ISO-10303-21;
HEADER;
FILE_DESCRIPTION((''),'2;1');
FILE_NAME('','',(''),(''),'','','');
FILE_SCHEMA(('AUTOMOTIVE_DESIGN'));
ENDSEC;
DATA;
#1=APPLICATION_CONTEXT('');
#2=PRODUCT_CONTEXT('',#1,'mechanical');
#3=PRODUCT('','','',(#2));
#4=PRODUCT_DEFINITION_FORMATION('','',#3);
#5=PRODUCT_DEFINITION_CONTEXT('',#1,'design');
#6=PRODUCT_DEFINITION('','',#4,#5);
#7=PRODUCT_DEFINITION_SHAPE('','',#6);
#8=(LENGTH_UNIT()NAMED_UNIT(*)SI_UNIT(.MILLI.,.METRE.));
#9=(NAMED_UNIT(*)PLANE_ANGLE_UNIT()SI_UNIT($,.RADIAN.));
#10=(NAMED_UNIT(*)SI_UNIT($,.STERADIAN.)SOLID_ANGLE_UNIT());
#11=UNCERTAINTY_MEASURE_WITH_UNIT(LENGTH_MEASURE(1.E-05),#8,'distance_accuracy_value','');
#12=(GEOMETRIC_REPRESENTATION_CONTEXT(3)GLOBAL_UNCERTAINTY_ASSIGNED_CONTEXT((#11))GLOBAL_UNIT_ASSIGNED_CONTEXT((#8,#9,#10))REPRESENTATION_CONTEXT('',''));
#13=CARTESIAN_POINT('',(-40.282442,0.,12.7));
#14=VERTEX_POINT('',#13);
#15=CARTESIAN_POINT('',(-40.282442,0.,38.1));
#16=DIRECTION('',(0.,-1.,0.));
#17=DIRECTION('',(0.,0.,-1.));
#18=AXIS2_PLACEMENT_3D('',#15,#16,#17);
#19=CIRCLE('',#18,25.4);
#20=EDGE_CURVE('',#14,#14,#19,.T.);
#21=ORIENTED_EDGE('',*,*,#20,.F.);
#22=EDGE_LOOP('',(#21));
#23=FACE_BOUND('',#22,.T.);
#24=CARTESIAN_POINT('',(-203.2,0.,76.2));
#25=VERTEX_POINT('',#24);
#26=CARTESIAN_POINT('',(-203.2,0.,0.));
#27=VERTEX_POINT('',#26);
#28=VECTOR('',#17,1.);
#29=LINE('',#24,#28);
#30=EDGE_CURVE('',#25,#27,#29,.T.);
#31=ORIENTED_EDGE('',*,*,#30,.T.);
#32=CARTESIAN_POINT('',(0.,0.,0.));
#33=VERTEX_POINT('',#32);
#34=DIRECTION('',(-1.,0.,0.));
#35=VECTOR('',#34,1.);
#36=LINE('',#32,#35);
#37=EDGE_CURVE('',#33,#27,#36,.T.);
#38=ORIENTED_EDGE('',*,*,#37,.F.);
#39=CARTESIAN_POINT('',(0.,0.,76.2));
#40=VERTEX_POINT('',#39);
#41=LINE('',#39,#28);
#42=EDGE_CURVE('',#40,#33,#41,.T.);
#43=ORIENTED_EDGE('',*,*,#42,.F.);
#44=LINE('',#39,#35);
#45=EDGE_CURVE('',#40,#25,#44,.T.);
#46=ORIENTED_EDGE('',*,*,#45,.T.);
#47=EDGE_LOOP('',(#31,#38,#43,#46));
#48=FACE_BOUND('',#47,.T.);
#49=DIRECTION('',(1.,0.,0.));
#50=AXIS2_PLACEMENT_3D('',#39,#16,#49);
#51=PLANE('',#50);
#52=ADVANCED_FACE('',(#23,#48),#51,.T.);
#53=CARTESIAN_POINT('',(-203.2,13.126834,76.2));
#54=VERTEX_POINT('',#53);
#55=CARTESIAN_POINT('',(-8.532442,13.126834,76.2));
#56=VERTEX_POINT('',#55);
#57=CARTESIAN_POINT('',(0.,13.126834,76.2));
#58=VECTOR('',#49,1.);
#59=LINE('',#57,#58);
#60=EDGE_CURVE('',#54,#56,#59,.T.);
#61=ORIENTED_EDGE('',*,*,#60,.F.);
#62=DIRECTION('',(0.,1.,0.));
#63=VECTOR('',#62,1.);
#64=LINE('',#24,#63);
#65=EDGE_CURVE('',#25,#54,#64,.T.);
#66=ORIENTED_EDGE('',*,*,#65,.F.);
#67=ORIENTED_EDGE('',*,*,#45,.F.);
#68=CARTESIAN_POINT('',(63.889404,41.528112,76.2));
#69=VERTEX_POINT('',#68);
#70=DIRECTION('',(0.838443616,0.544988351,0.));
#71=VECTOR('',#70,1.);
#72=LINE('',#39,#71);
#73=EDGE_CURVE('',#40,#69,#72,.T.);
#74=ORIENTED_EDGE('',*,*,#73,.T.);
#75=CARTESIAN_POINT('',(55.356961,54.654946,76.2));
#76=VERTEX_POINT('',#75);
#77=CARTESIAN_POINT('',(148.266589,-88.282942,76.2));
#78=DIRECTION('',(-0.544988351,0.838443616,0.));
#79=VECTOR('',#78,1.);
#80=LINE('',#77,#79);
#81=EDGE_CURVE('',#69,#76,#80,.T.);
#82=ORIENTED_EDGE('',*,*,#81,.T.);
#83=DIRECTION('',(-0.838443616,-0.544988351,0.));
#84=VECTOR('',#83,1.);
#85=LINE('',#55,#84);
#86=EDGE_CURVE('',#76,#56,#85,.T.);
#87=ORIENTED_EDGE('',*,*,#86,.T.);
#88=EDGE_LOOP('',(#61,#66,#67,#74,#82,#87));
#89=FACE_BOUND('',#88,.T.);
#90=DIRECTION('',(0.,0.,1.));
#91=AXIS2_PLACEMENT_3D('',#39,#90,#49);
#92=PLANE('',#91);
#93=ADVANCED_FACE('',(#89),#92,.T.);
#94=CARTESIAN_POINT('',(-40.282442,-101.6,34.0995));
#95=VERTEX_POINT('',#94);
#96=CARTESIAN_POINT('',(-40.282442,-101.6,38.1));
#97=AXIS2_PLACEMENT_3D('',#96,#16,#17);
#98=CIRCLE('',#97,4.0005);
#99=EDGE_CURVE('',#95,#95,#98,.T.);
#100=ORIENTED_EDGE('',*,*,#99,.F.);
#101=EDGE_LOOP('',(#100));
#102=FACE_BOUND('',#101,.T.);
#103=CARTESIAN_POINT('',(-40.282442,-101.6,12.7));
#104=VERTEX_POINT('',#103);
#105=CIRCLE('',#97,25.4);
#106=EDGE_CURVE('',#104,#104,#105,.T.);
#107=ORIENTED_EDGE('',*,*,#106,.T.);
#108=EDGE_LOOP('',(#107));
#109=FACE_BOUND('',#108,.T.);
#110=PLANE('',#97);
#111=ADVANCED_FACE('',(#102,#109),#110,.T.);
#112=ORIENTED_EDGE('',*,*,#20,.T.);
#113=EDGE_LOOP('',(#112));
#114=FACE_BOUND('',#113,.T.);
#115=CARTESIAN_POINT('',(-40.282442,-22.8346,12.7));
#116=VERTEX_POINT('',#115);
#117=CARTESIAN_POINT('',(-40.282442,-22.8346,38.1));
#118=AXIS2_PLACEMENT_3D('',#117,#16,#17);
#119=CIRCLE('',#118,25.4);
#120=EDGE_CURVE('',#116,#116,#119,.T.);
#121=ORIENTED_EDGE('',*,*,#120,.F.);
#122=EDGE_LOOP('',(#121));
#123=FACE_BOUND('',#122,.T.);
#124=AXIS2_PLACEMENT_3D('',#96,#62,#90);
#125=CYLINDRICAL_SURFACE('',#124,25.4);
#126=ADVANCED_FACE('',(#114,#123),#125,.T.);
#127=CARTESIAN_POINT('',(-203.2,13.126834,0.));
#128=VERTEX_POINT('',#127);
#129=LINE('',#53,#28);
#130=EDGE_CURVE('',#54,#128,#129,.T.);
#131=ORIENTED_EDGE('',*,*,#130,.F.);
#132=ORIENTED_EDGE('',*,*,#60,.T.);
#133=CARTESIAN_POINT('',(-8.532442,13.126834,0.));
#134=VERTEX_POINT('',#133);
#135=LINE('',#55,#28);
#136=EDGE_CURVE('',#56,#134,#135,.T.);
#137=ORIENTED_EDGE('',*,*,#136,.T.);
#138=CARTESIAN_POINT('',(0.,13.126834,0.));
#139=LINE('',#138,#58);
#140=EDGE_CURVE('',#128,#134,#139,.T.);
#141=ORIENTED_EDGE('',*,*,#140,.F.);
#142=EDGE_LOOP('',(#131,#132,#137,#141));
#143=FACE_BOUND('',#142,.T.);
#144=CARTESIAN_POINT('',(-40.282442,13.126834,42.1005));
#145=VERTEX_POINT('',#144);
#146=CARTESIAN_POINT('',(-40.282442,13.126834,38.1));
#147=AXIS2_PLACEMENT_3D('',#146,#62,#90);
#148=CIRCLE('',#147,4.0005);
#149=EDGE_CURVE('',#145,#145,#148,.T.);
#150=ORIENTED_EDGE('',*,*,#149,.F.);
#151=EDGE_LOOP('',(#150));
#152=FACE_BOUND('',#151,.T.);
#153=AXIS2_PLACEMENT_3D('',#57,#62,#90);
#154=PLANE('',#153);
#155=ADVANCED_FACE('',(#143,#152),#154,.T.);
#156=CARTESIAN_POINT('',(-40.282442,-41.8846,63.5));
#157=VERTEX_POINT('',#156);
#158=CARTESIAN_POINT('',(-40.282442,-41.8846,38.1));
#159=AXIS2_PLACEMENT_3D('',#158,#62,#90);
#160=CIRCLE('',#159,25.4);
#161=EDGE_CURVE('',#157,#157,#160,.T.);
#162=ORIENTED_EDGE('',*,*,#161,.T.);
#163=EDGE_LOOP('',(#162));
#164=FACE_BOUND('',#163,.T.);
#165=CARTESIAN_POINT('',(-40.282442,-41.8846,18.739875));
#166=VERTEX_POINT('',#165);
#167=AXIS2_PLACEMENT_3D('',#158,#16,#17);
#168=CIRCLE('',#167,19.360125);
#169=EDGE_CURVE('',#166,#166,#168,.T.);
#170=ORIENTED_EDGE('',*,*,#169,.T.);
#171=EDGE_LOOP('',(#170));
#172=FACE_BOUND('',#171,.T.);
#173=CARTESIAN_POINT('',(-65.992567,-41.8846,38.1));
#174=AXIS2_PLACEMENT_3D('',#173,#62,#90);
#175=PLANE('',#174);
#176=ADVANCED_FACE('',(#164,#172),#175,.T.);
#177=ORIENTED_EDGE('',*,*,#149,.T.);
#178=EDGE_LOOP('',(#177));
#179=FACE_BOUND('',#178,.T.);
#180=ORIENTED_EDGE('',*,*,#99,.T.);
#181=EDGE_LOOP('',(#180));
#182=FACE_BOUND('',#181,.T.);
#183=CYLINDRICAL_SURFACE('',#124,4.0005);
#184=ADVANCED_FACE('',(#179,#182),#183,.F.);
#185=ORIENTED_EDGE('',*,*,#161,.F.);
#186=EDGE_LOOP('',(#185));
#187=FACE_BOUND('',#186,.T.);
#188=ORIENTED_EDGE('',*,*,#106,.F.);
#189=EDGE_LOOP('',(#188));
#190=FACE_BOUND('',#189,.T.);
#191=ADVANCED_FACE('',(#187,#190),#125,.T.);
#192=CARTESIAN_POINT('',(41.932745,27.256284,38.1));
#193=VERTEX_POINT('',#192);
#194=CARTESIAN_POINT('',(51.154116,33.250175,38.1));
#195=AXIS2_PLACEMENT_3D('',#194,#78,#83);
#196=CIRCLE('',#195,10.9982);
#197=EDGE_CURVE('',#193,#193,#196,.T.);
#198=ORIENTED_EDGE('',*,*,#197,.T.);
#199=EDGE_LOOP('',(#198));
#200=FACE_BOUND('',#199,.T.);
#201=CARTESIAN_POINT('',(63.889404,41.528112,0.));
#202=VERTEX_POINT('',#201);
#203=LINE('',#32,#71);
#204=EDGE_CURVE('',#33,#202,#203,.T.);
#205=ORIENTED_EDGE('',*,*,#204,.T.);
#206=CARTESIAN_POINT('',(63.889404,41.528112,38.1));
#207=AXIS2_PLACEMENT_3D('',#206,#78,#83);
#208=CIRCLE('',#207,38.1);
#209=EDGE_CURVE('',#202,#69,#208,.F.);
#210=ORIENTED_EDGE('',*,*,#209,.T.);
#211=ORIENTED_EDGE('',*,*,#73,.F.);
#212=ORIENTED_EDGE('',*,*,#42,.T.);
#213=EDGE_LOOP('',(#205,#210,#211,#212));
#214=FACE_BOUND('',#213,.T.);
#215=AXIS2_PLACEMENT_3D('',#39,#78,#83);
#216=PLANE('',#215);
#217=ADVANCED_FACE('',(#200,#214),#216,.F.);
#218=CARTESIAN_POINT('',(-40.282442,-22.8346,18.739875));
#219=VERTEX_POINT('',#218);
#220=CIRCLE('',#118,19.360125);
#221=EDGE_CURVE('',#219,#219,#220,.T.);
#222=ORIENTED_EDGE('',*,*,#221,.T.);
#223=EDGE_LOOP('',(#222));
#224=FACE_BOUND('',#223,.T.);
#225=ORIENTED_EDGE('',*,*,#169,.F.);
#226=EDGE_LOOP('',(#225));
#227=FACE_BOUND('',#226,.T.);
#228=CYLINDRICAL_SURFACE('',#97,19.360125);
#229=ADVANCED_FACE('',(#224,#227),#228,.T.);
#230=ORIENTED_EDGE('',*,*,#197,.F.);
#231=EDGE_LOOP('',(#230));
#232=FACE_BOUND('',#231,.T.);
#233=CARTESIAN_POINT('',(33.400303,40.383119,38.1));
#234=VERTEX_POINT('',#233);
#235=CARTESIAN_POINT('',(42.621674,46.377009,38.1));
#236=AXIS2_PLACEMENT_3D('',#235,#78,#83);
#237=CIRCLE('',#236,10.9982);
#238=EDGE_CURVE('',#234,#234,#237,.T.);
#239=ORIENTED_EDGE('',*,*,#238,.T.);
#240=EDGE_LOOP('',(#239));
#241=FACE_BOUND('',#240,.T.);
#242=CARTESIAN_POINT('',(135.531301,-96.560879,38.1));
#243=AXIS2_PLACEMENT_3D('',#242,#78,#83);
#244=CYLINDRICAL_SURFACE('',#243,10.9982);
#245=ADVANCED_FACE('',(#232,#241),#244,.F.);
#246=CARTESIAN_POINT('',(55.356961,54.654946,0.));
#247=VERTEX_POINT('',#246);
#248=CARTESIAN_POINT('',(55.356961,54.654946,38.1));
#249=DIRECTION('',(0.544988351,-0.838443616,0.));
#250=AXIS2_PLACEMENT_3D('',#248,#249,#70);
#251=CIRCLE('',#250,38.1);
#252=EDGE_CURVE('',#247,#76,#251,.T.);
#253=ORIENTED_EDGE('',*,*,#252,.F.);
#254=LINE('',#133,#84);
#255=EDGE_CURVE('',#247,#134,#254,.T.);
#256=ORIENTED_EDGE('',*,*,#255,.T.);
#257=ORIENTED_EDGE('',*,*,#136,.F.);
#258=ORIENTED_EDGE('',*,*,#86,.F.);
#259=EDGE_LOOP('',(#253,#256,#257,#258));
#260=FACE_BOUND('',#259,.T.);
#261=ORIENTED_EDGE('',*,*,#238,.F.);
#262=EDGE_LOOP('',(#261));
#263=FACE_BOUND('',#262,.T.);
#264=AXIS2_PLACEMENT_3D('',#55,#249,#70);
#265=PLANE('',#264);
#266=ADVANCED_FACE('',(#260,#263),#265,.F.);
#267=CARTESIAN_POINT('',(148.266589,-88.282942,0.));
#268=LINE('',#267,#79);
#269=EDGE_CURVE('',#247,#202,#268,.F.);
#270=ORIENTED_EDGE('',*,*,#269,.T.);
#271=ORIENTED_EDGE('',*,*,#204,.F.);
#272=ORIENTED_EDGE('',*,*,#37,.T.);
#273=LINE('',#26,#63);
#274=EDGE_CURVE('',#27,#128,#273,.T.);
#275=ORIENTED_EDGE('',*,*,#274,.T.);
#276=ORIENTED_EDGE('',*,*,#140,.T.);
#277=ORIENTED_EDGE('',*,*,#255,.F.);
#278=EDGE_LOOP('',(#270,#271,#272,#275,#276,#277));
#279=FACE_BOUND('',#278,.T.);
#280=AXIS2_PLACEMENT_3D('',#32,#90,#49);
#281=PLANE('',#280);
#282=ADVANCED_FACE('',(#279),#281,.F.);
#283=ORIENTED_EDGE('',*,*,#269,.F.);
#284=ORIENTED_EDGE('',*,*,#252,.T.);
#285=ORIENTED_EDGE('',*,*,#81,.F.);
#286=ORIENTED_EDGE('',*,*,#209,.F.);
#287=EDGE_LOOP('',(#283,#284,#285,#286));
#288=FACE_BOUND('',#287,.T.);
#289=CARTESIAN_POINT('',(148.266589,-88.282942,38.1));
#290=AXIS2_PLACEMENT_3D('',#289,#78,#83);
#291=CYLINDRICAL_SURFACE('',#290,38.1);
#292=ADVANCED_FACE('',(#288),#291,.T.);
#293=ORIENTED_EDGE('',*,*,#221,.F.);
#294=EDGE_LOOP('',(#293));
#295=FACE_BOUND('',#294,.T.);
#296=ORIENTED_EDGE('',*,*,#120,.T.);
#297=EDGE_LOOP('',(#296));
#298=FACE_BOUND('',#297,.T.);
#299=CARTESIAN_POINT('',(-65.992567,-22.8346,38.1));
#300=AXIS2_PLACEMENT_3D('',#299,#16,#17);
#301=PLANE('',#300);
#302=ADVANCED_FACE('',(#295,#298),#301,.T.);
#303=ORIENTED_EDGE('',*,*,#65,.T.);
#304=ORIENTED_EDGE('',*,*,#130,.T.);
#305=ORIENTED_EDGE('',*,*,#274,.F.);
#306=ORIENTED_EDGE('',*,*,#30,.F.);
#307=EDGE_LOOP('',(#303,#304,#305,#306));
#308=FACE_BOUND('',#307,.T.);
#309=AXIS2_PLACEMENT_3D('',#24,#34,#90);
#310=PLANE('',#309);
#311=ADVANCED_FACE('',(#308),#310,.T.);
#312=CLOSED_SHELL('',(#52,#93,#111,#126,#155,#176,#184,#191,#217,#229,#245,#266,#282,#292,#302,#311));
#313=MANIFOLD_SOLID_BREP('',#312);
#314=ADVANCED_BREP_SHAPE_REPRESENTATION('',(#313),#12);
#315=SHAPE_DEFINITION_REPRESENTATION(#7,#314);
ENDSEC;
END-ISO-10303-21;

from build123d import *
from build123d.topology import SkipClean

# Parameters (mm, degrees)
BOSS_EXTRUDE1_DEPTH = 76.2
SKETCH2_R           = 25.4
SKETCH2_R_2         = 4.0005
BOSS_EXTRUDE2_DEPTH = 101.6
SKETCH4_W           = 6.35
SKETCH4_H           = 19.05
SKETCH5_R           = 4.0005
CUT_EXTRUDE1_DEPTH  = 240.623120754
SKETCH7_R           = 10.9982
CUT_EXTRUDE2_DEPTH  = 239.462040028
CUT_EXTRUDE3_DEPTH  = 239.462040028


with BuildPart() as part:
    # Sketch1 → Boss-Extrude1 (new body)
    with BuildSketch(Plane.XY):
        Polygon((-203.2, 13.126834176), (-8.532442214, 13.126834176), (0, 0), (-203.2, 0), align=None)
        Polygon((119.24636491, 96.183058807), (-8.532442214, 13.126834176), (0, 0), (127.778807124, 83.056224631), align=None)
    extrude(amount=BOSS_EXTRUDE1_DEPTH)

    # Sketch2 → Boss-Extrude2 (add)
    with BuildSketch(Plane.XZ):
        with Locations(Location((-40.282442214, 38.1, 0), (0, 0, 270))):
            Circle(SKETCH2_R)
        with Locations((-40.282442214, 38.1)):
            Circle(SKETCH2_R_2, mode=Mode.SUBTRACT)
    extrude(amount=BOSS_EXTRUDE2_DEPTH)

    # Sketch4 → Cut-Revolve1 (revolve, cut)
    with BuildSketch(Plane.XY.offset(38.1), mode=Mode.PRIVATE) as cut_revolve1_sk:
        with Locations((-62.817567444, -32.3596)):
            Rectangle(SKETCH4_W, SKETCH4_H)
    revolve(cut_revolve1_sk.sketch.rotate(Axis((-40.282442214, -101.6, 38.1), (0, 1, 0)), 270), axis=Axis((-40.282442214, -101.6, 38.1), (0, 1, 0)), mode=Mode.SUBTRACT)

    # Sketch5 → Cut-Extrude1 (cut, through all)
    with SkipClean():  # the faces are left unmerged after this step: merging them gives an invalid solid
        with BuildSketch(Plane.XZ):
            with Locations(Location((-40.282442214, 38.1, 0), (0, 0, 90))):
                Circle(SKETCH5_R)
        extrude(amount=-CUT_EXTRUDE1_DEPTH, mode=Mode.SUBTRACT)

    # Sketch7 → Cut-Extrude2 (cut, through all)
    with SkipClean():  # the faces are left unmerged after this step: merging them gives an invalid solid
        with BuildSketch(Plane(origin=(-8.532442214, 13.126834176, 0), x_dir=(0.8384436163006369, 0.5449883505954145, 0), z_dir=(-0.5449883505954145, 0.838443616300637, 0))):
            with Locations(Location((61.0108, -38.1, 0), (0, 0, 180))):
                Circle(SKETCH7_R)
        extrude(amount=-CUT_EXTRUDE2_DEPTH, mode=Mode.SUBTRACT)

    # Sketch8 → Cut-Extrude3 (cut, through all)
    with SkipClean():  # the faces are left unmerged after this step: merging them gives an invalid solid
        with BuildSketch(Plane(origin=(-8.532442214, 13.126834176, 0), x_dir=(0.8384436163006369, 0.5449883505954145, 0), z_dir=(-0.5449883505954145, 0.838443616300637, 0))):
            with BuildLine():
                Line((76.2, 0), (152.4, 0))
                Line((152.4, 0), (152.4, -76.2))
                Line((152.4, -76.2), (76.2, -76.2))
                ThreePointArc((76.2, -76.2), (114.3, -38.1), (76.2, 0))
            make_face()
        extrude(amount=-CUT_EXTRUDE3_DEPTH, mode=Mode.SUBTRACT)


solid = part.part
